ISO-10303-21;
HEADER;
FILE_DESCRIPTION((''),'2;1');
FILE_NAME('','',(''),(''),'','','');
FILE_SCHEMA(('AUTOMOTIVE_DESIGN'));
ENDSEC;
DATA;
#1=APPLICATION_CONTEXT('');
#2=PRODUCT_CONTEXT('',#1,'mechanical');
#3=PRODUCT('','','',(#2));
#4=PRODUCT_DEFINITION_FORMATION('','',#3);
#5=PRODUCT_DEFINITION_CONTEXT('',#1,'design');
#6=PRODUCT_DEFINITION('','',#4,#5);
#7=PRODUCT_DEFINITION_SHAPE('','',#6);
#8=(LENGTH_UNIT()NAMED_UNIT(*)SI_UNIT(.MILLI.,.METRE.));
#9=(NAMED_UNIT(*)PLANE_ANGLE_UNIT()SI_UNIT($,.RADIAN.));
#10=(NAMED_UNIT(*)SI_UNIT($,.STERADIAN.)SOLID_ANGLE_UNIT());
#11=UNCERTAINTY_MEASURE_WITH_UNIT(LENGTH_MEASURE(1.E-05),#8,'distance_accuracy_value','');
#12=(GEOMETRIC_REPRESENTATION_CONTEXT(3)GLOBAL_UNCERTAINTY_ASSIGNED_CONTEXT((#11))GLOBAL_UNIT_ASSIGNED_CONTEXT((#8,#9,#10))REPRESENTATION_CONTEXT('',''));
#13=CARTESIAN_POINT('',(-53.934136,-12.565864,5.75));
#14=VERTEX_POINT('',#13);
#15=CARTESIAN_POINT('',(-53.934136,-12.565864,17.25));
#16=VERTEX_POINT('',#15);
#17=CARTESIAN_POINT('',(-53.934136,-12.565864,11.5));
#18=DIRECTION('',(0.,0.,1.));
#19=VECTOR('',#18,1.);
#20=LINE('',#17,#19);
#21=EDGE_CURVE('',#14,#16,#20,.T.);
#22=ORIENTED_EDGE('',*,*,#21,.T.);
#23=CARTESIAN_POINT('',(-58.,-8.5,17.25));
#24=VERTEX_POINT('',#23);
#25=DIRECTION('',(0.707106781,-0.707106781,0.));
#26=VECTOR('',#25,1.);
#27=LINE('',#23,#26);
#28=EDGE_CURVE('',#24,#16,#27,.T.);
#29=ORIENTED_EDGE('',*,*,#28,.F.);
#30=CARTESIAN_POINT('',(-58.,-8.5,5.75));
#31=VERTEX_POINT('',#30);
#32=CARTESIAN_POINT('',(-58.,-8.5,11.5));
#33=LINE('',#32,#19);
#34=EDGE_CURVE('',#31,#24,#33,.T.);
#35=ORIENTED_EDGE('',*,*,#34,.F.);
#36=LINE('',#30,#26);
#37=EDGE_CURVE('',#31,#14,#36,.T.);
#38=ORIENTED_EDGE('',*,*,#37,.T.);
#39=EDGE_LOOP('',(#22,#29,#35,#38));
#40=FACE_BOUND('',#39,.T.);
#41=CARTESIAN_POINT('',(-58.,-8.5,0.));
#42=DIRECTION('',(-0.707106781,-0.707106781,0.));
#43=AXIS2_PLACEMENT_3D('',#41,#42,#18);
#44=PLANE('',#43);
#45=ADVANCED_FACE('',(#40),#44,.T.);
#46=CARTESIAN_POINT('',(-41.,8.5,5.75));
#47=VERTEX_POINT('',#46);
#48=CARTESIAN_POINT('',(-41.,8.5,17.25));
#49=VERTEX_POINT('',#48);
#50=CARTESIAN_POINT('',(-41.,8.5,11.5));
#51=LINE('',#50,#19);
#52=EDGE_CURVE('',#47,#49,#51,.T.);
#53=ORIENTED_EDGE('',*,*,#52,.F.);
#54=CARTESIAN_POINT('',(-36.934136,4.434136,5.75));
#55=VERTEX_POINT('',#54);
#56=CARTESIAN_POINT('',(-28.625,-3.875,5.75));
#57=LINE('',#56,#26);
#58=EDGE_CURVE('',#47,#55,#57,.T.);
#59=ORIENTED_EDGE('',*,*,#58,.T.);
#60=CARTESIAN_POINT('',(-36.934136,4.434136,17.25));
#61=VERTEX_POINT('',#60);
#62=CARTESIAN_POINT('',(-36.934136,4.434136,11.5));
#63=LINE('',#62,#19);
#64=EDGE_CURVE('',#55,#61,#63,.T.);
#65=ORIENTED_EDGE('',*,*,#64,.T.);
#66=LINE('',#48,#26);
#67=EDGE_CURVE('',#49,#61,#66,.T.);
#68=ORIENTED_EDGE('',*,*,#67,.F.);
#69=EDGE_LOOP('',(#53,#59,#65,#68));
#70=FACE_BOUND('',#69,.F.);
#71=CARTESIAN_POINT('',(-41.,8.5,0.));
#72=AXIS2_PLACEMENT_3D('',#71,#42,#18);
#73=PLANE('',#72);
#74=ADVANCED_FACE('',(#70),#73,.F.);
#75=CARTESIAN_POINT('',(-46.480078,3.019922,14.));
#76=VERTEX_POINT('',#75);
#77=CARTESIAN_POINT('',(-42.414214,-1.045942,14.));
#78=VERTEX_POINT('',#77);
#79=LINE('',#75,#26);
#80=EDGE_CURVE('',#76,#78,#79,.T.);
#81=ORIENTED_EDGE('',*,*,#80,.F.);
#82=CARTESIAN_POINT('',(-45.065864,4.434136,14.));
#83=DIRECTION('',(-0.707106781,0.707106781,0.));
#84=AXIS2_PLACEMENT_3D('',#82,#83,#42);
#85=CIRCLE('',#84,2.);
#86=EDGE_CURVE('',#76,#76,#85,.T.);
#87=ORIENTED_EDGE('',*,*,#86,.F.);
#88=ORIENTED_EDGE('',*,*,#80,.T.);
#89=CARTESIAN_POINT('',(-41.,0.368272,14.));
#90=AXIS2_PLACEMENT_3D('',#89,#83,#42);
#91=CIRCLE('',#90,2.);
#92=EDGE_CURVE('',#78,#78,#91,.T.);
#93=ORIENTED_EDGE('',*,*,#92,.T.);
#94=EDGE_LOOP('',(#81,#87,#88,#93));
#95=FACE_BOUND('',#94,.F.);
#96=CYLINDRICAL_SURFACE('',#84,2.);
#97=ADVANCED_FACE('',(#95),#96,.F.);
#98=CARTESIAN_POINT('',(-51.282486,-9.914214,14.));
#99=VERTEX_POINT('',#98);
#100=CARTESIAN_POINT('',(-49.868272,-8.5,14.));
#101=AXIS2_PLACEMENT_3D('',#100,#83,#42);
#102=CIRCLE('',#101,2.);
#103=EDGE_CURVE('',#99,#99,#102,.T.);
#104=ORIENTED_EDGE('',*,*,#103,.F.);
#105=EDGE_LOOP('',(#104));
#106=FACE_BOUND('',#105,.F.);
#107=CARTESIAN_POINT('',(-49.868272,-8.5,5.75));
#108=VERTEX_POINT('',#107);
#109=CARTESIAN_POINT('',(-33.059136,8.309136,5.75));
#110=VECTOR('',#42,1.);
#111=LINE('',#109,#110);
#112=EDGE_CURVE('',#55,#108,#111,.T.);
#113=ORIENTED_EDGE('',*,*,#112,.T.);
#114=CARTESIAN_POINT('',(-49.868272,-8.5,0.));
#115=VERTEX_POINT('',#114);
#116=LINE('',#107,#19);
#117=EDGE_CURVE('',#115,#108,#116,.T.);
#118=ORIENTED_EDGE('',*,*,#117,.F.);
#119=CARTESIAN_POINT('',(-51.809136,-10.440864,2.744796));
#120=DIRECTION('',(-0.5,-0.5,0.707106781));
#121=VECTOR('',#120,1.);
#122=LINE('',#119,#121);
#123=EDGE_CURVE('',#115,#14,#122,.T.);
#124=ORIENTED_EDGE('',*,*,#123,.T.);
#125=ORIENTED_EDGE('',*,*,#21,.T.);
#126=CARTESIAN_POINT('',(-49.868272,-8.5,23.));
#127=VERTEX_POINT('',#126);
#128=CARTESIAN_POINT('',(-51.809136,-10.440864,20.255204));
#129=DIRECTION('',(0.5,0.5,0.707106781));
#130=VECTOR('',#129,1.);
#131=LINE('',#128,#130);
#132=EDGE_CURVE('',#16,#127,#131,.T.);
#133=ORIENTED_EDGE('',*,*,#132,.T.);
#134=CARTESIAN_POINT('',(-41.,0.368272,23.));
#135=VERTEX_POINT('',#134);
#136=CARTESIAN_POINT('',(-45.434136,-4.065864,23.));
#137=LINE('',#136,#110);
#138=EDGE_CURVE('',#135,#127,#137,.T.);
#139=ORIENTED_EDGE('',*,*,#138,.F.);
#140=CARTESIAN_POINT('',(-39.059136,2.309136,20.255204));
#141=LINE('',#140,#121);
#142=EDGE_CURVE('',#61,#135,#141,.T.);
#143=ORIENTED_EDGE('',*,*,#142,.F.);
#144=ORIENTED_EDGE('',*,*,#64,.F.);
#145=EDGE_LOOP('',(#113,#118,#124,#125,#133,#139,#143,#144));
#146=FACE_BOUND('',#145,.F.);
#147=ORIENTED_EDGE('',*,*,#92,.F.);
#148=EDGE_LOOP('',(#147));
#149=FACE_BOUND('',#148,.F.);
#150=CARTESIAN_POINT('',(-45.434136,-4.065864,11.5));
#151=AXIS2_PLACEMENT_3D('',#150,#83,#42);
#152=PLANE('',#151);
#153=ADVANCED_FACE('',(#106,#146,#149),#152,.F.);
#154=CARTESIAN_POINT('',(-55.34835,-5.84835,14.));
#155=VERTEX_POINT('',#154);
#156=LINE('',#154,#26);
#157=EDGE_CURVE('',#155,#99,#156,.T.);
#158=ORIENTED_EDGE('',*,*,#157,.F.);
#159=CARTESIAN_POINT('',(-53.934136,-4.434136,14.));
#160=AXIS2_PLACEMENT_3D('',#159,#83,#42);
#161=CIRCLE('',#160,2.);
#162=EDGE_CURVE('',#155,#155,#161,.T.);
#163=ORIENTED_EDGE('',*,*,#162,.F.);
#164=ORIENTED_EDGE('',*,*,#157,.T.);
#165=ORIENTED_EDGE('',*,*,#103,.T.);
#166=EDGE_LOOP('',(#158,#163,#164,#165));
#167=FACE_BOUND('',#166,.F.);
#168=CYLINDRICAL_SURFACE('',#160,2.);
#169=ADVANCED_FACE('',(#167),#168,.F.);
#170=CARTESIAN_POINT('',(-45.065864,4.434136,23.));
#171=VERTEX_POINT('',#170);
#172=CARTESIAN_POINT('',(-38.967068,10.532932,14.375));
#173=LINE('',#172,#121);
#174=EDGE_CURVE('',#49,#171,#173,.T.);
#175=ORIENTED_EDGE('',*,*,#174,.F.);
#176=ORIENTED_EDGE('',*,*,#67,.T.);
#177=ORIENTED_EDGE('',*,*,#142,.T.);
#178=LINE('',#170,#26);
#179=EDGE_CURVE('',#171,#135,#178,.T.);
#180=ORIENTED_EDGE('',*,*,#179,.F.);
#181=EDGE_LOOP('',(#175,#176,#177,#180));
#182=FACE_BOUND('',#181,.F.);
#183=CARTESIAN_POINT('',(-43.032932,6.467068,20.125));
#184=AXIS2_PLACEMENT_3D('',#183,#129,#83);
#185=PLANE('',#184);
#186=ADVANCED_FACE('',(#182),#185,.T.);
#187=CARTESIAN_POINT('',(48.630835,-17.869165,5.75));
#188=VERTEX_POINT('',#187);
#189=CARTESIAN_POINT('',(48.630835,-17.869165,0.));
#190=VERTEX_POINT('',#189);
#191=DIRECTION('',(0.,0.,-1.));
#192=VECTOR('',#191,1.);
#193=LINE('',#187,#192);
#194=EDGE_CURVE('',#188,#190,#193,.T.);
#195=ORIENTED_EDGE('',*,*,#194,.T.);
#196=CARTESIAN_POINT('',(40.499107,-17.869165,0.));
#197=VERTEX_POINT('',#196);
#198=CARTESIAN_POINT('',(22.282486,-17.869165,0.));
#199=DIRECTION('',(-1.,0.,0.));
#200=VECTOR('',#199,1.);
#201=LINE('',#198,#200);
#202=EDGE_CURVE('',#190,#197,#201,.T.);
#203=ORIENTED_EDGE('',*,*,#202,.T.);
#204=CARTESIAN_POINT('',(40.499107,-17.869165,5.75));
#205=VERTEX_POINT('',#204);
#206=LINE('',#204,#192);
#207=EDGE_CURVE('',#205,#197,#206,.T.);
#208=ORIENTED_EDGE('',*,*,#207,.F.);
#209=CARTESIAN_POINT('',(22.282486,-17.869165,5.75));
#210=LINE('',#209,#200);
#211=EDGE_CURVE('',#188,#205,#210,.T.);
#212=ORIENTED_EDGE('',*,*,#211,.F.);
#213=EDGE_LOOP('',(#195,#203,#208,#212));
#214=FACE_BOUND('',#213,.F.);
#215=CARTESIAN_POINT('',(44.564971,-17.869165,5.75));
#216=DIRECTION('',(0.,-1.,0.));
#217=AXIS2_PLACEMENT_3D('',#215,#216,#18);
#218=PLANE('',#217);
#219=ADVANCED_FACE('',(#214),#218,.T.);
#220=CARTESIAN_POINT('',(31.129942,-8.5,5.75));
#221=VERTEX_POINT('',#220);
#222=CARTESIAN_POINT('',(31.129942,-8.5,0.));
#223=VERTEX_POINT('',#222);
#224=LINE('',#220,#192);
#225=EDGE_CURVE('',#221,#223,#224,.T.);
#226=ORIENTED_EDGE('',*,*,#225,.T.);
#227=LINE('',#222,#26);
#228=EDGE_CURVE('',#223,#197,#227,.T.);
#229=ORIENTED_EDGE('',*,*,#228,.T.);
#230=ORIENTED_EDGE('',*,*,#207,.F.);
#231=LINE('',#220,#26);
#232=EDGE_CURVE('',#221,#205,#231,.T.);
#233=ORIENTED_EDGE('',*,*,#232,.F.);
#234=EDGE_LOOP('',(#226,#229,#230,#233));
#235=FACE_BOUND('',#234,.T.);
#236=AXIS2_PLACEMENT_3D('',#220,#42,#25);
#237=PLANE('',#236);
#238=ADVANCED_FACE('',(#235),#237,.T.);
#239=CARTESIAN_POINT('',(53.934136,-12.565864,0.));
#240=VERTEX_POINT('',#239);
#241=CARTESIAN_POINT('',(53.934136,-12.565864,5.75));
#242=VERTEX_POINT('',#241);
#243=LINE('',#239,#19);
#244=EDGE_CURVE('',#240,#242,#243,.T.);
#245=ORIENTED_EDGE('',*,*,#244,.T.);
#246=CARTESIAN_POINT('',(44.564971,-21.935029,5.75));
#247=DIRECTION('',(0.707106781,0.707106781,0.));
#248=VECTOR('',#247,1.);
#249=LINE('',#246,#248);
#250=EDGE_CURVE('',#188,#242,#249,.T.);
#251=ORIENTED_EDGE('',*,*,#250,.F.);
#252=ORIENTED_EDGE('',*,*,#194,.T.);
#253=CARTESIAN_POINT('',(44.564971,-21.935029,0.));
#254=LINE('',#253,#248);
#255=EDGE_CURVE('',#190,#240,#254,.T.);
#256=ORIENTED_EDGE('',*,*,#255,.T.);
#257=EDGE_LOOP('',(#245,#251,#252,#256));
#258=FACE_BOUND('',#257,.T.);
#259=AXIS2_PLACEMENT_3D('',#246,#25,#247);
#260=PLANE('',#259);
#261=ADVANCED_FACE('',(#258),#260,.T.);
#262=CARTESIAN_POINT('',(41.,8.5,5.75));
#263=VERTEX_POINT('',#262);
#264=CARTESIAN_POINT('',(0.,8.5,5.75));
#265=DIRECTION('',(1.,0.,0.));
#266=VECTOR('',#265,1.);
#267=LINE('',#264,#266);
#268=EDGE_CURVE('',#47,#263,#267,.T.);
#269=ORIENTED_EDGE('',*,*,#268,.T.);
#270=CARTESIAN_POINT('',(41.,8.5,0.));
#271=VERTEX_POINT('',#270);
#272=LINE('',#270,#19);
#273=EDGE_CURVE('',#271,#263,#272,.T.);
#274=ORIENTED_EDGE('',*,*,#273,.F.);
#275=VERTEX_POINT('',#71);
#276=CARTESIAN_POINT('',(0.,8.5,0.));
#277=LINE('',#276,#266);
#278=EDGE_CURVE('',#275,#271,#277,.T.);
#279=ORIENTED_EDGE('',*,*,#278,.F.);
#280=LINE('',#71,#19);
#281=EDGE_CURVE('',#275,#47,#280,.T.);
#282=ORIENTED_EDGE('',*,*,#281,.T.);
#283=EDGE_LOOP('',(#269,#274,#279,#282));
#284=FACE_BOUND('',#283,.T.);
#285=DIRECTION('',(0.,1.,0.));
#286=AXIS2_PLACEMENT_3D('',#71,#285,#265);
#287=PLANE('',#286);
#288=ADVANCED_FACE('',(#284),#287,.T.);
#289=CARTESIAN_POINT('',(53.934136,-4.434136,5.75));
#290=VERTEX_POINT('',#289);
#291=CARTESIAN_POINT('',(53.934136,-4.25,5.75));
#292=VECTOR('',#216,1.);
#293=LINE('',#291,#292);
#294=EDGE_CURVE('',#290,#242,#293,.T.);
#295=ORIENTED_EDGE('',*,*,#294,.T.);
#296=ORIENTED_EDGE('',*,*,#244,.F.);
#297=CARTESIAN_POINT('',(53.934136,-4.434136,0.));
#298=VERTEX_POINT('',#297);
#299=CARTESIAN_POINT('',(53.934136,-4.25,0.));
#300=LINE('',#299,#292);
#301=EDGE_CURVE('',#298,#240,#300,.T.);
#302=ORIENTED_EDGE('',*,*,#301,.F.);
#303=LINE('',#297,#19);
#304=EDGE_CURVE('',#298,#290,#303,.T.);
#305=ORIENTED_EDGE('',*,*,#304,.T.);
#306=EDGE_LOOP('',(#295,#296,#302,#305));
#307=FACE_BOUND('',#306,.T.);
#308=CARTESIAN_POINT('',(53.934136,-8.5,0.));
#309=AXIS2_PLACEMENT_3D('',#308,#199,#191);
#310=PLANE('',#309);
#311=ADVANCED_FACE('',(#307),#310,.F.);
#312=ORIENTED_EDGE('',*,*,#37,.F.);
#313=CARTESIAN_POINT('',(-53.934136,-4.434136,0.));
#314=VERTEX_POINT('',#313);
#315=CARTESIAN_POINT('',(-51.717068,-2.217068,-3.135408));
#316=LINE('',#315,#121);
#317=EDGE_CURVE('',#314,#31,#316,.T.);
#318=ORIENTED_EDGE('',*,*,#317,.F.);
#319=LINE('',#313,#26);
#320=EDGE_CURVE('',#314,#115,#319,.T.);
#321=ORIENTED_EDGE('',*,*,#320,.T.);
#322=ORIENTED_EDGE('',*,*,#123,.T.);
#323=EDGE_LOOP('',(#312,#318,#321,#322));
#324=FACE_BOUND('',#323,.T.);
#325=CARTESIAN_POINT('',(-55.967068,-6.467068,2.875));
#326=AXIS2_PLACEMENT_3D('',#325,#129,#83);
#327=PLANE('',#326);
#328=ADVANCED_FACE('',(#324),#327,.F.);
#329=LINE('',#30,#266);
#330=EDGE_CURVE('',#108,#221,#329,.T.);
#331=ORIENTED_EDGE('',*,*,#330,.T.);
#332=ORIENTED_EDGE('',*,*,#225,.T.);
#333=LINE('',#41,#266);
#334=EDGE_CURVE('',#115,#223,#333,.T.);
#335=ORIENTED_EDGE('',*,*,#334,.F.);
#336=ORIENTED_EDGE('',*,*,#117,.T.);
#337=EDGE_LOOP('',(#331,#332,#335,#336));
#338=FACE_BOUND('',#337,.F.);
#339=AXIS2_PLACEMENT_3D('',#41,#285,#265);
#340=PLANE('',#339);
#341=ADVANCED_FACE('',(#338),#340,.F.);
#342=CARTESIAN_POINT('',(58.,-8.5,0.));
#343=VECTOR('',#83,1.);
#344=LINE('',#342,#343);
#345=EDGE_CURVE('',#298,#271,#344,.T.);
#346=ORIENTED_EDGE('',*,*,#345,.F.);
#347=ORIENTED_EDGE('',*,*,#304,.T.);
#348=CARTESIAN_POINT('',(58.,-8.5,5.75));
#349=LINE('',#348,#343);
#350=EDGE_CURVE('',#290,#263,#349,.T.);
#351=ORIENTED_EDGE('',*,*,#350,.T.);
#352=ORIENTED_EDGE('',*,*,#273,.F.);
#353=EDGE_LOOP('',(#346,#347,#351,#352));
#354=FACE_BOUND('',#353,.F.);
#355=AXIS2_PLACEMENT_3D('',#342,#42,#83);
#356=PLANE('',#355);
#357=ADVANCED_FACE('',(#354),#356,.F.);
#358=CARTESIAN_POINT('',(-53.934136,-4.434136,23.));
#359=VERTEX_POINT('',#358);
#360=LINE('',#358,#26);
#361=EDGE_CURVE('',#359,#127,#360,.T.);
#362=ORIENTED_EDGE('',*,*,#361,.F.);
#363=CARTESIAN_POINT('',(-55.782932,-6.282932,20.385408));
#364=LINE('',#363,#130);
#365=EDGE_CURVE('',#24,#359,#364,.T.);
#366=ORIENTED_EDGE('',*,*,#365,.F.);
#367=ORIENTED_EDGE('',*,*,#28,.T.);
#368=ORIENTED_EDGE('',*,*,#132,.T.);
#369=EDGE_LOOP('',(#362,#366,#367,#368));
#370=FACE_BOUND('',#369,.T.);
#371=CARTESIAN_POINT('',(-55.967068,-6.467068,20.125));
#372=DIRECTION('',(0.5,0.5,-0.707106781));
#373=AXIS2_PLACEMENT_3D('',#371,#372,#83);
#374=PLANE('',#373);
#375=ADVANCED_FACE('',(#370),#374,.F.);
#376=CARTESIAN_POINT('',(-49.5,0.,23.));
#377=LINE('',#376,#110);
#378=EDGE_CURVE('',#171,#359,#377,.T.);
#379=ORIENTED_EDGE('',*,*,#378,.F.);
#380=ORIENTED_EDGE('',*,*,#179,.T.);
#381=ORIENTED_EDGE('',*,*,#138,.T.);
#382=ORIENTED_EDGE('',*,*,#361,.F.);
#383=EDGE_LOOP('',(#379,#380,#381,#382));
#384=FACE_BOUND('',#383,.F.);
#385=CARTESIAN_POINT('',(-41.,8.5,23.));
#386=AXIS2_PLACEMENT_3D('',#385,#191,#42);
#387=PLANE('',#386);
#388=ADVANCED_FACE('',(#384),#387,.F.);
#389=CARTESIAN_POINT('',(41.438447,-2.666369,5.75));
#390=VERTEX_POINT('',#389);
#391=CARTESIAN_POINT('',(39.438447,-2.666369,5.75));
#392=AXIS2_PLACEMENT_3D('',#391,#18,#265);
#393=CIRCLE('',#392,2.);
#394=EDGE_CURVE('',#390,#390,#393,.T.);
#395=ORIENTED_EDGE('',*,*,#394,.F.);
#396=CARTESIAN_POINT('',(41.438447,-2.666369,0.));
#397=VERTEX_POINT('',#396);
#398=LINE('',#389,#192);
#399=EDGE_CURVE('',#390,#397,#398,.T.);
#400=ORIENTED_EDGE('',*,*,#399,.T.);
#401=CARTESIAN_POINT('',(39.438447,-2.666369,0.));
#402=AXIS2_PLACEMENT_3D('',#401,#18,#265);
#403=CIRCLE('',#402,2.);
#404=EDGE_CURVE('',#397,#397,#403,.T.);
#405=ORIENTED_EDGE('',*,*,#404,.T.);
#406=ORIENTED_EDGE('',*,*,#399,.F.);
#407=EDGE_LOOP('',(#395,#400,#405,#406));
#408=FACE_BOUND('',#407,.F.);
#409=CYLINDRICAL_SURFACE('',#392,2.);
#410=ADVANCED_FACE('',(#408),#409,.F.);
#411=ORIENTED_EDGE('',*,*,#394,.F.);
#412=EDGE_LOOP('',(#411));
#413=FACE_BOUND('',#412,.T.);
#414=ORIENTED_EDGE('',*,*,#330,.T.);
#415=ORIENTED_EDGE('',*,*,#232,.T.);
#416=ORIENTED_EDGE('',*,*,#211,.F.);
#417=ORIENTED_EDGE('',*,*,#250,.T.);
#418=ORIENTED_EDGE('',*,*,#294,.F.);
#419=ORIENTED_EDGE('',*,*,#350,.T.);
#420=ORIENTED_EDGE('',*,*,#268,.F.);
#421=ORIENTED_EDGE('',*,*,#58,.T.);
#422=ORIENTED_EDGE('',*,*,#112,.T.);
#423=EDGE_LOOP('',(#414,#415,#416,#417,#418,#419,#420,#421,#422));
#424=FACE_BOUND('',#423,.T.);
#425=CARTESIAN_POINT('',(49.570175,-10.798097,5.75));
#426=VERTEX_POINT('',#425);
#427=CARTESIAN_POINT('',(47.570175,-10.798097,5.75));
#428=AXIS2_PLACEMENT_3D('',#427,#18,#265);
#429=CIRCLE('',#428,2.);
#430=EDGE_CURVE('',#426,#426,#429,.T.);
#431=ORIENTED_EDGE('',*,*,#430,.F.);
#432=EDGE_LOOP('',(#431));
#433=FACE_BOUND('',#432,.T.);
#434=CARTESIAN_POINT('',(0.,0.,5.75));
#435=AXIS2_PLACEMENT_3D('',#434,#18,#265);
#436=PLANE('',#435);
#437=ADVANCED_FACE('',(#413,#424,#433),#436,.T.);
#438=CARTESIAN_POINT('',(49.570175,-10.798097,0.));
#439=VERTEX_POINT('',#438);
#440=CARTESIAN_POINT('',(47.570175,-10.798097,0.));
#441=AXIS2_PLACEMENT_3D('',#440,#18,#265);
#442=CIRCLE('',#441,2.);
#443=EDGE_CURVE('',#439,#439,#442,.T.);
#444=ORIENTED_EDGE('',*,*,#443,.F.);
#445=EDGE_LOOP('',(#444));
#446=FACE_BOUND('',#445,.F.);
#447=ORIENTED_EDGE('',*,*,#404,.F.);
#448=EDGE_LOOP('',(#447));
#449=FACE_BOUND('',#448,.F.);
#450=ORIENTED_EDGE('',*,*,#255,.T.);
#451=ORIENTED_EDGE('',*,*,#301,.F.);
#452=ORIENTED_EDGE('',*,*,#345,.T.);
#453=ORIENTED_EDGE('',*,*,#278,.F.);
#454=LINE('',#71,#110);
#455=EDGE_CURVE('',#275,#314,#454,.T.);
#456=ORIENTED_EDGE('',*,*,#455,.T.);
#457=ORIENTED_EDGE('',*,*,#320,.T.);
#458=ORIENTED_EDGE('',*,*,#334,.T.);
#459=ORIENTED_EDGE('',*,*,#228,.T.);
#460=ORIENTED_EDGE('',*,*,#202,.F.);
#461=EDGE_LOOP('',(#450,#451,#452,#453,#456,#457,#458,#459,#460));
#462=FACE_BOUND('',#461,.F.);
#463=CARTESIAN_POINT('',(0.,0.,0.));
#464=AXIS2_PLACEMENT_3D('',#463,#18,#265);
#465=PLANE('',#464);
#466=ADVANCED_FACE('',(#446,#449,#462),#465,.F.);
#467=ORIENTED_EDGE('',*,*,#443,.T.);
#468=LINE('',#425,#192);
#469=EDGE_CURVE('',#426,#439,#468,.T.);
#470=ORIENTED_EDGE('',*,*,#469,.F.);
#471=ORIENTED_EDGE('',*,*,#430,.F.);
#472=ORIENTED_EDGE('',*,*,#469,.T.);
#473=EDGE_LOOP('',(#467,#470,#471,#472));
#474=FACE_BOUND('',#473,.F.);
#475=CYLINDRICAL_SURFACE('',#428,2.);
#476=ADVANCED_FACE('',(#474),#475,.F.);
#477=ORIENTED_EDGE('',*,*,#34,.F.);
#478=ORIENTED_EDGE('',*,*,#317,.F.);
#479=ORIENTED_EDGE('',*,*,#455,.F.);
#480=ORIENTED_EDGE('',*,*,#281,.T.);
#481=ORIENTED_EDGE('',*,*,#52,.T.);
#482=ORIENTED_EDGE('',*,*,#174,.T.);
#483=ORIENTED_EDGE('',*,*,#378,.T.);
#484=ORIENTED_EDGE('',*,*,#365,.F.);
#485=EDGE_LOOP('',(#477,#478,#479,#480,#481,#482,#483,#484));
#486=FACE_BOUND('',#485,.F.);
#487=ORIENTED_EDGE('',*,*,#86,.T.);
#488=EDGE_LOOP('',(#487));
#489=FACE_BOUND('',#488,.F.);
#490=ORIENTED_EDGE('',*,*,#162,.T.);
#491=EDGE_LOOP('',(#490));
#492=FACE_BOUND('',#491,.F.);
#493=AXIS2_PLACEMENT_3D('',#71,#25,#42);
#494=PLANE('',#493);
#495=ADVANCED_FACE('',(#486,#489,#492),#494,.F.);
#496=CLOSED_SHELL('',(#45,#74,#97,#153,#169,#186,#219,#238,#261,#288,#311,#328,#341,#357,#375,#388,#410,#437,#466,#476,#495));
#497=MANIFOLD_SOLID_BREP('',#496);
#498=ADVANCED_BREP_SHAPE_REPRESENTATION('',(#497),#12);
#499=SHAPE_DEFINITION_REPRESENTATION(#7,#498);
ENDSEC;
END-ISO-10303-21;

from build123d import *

# Parameters (mm, degrees)
F0_W      = 82
F0_H      = 17
F1_DEPTH  = 5.75
F2_W      = 24.0416305603
F2_H      = 23
F3_DEPTH  = 5.75
F4_R      = 2
F5_DEPTH  = 25
F6_SIZE   = 5.75
F8_DEPTH  = 5.75
F9_R      = 2
F10_DEPTH = 25
F11_SIZE  = 5.75


with BuildPart() as f1:
    # F0 (on Top) → F1 (new body)
    with BuildSketch(Plane.XY):
        Rectangle(F0_W, F0_H)
        Polygon((41, 8.5), (41, -8.5), (58, -8.5), align=None)
        Polygon((-58, -8.5), (-41, -8.5), (-41, 8.5), align=None)
    extrude(amount=F1_DEPTH)

    # F2 (on face) → F3 (join)
    with BuildSketch(Plane(origin=(-24.75, 24.75, 0), x_dir=(-0.7071067812, -0.7071067812, 0), z_dir=(-0.7071067812, 0.7071067812, 0))):
        with Locations((35.0017856687, 11.5)):
            Rectangle(F2_W, F2_H)
    extrude(amount=-F3_DEPTH)

    # F4 (on face) → F5 (cut)
    with BuildSketch(Plane(origin=(-24.75, 24.75, 0), x_dir=(-0.7071067812, -0.7071067812, 0), z_dir=(-0.7071067812, 0.7071067812, 0))):
        with Locations((28.7309703886, 14)):
            Circle(F4_R)
        with Locations((41.2726009489, 14)):
            Circle(F4_R)
    extrude(amount=-F5_DEPTH, mode=Mode.SUBTRACT)

    # F6
    f6_edges = [f1.edges().sort_by_distance(p)[0] for p in [
        (-55.967068, -10.532932, 23),
        (-38.967068, 6.467068, 23),
        (-55.967068, -10.532932, 0),
    ]]
    chamfer(f6_edges, length=F6_SIZE)

    # F7 (on face) → F8 (join)
    with BuildSketch(Plane.XY.offset(5.75)):
        Polygon((58, -8.5), (41, 8.5), (28.3015151902, -5.6715728753), (31.1299423149, -8.5), align=None)
        Polygon((44.5649711575, -21.9350288425), (58, -8.5), (31.1299423149, -8.5), align=None)
    extrude(amount=-F8_DEPTH)

    # F9 (on face) → F10 (cut)
    with BuildSketch(Plane.XY.offset(5.75)):
        with Locations((47.5701749775, -10.7980970389)):
            Circle(F9_R)
        with Locations((39.4384469939, -2.6663690552)):
            Circle(F9_R)
    extrude(amount=-F10_DEPTH, mode=Mode.SUBTRACT)

    # F11
    f11_edges = [f1.edges().sort_by_distance(p)[0] for p in [
        (44.564971, -21.935029, 2.875),
        (58, -8.5, 2.875),
    ]]
    chamfer(f11_edges, length=F11_SIZE)


solid = f1.part
